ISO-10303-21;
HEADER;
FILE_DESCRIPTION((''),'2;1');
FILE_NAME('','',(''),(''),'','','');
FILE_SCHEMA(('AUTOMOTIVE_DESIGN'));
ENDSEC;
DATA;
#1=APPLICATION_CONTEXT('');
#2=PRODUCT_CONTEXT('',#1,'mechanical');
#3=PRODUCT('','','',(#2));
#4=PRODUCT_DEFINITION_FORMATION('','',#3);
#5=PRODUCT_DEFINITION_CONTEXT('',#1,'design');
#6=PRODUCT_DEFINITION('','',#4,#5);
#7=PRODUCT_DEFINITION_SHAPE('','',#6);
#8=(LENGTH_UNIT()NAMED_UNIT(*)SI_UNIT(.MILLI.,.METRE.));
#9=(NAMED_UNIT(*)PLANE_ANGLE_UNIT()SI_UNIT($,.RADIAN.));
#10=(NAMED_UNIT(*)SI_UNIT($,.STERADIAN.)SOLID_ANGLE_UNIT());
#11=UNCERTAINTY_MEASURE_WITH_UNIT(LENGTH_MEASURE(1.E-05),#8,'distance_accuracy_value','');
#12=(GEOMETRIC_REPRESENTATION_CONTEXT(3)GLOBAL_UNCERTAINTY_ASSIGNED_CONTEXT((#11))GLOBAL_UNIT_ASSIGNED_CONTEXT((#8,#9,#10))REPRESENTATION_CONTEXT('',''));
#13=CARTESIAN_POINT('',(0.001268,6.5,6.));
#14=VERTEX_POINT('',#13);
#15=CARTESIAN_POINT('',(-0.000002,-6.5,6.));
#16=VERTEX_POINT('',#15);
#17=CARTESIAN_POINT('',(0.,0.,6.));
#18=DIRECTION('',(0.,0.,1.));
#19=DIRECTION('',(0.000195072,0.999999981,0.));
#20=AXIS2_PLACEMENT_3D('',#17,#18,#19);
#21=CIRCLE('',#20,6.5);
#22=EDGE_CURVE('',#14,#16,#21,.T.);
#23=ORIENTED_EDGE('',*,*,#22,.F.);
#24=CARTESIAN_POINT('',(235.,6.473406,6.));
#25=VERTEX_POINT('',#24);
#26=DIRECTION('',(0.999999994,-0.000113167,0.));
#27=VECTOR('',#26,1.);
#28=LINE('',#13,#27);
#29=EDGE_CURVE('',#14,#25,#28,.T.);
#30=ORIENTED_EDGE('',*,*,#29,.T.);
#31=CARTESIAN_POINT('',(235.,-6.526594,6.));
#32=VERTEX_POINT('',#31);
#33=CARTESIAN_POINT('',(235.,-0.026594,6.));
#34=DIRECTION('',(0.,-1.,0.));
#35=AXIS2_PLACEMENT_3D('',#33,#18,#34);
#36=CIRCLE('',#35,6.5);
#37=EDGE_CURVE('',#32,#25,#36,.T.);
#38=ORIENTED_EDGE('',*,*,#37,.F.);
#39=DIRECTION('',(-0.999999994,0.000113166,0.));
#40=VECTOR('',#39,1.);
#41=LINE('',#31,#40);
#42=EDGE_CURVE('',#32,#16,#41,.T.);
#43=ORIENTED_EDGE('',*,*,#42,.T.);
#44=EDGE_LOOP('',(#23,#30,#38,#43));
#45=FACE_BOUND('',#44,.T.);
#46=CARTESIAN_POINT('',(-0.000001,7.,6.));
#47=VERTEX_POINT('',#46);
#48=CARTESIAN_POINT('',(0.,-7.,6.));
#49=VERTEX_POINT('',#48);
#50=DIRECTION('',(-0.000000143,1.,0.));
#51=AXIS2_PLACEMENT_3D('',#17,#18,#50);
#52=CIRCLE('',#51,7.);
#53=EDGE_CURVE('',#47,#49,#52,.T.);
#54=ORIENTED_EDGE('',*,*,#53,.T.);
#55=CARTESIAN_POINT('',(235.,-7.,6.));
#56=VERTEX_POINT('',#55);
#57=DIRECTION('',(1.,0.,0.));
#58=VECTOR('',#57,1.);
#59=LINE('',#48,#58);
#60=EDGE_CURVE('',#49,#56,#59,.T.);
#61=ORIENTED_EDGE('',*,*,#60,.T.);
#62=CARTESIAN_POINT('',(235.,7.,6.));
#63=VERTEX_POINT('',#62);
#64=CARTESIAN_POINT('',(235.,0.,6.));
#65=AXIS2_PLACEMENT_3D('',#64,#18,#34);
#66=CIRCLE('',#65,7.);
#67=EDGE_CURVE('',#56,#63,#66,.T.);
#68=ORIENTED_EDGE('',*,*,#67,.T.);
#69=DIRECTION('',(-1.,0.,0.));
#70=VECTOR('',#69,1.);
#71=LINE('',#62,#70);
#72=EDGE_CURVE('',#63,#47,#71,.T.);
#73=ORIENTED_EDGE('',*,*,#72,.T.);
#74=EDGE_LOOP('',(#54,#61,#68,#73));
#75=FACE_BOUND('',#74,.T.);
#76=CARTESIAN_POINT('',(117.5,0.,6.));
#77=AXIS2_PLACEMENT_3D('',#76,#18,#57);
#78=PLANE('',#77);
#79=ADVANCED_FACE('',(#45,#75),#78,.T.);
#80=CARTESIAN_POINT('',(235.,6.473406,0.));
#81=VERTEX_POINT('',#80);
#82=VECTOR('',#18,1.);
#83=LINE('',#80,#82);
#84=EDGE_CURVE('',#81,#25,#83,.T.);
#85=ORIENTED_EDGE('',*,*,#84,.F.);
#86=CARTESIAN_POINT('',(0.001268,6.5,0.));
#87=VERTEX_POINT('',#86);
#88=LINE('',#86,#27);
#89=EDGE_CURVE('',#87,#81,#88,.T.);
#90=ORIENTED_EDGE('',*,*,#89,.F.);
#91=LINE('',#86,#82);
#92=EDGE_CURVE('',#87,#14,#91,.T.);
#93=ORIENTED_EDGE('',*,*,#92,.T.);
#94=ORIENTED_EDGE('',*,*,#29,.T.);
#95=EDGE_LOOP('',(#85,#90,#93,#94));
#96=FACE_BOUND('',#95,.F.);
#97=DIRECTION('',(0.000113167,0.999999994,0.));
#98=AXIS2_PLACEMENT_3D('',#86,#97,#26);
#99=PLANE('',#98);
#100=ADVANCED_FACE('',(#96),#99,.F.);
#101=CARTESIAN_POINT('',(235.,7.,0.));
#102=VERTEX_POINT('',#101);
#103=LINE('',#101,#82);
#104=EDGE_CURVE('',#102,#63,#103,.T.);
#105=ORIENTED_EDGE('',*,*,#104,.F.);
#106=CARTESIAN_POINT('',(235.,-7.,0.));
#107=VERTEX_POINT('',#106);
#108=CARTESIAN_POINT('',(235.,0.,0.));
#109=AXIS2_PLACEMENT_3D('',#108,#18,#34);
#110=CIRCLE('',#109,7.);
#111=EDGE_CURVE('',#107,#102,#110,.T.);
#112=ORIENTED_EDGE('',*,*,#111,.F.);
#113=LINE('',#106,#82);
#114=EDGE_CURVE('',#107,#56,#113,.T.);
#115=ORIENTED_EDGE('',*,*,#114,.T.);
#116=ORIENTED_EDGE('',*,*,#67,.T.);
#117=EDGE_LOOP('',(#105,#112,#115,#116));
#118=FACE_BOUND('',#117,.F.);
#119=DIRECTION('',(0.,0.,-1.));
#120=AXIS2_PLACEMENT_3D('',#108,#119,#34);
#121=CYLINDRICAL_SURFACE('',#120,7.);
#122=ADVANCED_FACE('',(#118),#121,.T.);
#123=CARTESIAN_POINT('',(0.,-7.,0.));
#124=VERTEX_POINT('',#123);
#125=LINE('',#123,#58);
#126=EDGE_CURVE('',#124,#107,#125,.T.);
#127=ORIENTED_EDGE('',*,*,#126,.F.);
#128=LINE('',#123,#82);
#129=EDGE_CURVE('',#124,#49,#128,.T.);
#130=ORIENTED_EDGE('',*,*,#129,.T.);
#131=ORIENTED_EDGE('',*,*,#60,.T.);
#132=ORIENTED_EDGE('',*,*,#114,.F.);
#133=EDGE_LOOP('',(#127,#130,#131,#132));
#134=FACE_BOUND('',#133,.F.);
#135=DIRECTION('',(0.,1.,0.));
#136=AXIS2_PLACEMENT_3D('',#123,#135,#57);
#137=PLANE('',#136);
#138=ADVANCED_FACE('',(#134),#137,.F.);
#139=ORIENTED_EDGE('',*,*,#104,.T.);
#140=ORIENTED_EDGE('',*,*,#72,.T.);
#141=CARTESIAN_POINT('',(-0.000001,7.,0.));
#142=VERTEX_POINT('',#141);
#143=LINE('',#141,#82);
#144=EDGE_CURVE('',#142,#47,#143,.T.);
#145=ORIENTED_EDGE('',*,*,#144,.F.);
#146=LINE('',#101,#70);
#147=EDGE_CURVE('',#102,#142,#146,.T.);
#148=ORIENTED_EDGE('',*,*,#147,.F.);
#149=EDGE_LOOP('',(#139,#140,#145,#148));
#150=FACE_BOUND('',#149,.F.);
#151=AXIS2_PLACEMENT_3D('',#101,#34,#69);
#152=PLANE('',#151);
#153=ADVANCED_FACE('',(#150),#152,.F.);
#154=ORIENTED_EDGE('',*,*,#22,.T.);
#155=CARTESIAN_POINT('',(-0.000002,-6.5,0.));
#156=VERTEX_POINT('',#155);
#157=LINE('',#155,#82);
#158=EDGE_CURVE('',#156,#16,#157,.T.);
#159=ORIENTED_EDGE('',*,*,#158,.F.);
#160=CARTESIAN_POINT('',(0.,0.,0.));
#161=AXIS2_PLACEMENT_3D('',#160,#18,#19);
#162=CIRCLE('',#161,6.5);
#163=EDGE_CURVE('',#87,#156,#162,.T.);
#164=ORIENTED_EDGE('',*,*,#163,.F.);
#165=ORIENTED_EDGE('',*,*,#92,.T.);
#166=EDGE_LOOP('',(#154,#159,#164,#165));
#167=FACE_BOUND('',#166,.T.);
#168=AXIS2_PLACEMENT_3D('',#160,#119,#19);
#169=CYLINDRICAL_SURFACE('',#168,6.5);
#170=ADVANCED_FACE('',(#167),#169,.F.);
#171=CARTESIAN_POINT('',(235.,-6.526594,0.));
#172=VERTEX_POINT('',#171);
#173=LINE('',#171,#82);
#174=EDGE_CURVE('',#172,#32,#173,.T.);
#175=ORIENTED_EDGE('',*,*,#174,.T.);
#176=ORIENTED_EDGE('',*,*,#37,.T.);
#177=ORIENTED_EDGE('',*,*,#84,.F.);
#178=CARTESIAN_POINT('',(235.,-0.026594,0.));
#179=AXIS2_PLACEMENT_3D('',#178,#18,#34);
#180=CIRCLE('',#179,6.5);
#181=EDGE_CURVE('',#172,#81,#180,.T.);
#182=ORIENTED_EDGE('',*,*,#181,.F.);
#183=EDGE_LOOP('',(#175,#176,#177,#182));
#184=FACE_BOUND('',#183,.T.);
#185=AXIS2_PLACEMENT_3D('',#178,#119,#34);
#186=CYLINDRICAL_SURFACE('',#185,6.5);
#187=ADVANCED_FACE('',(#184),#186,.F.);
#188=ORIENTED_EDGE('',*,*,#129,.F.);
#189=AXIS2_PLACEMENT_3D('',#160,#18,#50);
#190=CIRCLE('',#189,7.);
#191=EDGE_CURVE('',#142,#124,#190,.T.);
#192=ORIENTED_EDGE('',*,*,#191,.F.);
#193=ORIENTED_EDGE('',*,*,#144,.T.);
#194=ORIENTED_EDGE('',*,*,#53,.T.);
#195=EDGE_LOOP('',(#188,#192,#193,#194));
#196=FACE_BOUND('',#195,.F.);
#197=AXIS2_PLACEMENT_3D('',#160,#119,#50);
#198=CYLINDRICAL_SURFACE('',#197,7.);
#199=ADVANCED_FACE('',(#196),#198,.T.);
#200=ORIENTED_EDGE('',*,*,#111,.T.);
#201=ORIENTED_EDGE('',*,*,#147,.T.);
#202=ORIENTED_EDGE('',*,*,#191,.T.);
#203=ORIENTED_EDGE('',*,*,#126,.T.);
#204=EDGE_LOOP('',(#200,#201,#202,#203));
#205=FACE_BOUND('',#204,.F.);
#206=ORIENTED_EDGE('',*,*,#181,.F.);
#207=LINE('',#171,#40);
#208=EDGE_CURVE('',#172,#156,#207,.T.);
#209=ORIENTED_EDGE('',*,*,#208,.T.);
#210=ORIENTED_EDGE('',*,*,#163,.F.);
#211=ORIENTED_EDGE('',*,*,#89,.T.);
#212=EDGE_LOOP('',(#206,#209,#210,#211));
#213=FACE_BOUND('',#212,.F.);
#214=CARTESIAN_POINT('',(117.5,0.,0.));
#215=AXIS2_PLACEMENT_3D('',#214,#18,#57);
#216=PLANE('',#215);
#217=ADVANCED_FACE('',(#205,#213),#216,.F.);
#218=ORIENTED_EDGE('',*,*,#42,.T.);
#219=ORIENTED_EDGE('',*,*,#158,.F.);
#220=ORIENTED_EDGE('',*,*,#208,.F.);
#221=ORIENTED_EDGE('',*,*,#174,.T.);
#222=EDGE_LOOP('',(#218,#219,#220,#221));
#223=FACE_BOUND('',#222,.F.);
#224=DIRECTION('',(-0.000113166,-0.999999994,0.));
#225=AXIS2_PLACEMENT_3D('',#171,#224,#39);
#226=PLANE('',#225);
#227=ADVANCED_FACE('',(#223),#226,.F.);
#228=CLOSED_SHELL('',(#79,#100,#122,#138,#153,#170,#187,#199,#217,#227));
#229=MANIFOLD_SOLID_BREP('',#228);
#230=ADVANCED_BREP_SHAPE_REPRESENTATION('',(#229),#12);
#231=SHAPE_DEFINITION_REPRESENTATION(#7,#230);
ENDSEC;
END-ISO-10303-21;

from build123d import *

# Parameters (mm, degrees)
PAD_DEPTH = 6


with BuildPart() as part:
    # Sketch → Pad (new body)
    with BuildSketch(Plane.XY):
        with BuildLine():
            ThreePointArc((-1e-06, 7), (-7, 0), (0, -7))
            Line((0, -7), (235, -7))
            ThreePointArc((235, -7), (242, 0), (235, 7))
            Line((235, 7), (-1e-06, 7))
        make_face()
        with BuildLine():
            ThreePointArc((0.001268, 6.5), (-6.5, 0.000635), (-2e-06, -6.5))
            Line((235, -6.526594), (-2e-06, -6.5))
            ThreePointArc((235, -6.526594), (241.5, -0.026594), (235, 6.473406))
            Line((0.001268, 6.5), (235, 6.473406))
        make_face(mode=Mode.SUBTRACT)
    extrude(amount=PAD_DEPTH)


solid = part.part
